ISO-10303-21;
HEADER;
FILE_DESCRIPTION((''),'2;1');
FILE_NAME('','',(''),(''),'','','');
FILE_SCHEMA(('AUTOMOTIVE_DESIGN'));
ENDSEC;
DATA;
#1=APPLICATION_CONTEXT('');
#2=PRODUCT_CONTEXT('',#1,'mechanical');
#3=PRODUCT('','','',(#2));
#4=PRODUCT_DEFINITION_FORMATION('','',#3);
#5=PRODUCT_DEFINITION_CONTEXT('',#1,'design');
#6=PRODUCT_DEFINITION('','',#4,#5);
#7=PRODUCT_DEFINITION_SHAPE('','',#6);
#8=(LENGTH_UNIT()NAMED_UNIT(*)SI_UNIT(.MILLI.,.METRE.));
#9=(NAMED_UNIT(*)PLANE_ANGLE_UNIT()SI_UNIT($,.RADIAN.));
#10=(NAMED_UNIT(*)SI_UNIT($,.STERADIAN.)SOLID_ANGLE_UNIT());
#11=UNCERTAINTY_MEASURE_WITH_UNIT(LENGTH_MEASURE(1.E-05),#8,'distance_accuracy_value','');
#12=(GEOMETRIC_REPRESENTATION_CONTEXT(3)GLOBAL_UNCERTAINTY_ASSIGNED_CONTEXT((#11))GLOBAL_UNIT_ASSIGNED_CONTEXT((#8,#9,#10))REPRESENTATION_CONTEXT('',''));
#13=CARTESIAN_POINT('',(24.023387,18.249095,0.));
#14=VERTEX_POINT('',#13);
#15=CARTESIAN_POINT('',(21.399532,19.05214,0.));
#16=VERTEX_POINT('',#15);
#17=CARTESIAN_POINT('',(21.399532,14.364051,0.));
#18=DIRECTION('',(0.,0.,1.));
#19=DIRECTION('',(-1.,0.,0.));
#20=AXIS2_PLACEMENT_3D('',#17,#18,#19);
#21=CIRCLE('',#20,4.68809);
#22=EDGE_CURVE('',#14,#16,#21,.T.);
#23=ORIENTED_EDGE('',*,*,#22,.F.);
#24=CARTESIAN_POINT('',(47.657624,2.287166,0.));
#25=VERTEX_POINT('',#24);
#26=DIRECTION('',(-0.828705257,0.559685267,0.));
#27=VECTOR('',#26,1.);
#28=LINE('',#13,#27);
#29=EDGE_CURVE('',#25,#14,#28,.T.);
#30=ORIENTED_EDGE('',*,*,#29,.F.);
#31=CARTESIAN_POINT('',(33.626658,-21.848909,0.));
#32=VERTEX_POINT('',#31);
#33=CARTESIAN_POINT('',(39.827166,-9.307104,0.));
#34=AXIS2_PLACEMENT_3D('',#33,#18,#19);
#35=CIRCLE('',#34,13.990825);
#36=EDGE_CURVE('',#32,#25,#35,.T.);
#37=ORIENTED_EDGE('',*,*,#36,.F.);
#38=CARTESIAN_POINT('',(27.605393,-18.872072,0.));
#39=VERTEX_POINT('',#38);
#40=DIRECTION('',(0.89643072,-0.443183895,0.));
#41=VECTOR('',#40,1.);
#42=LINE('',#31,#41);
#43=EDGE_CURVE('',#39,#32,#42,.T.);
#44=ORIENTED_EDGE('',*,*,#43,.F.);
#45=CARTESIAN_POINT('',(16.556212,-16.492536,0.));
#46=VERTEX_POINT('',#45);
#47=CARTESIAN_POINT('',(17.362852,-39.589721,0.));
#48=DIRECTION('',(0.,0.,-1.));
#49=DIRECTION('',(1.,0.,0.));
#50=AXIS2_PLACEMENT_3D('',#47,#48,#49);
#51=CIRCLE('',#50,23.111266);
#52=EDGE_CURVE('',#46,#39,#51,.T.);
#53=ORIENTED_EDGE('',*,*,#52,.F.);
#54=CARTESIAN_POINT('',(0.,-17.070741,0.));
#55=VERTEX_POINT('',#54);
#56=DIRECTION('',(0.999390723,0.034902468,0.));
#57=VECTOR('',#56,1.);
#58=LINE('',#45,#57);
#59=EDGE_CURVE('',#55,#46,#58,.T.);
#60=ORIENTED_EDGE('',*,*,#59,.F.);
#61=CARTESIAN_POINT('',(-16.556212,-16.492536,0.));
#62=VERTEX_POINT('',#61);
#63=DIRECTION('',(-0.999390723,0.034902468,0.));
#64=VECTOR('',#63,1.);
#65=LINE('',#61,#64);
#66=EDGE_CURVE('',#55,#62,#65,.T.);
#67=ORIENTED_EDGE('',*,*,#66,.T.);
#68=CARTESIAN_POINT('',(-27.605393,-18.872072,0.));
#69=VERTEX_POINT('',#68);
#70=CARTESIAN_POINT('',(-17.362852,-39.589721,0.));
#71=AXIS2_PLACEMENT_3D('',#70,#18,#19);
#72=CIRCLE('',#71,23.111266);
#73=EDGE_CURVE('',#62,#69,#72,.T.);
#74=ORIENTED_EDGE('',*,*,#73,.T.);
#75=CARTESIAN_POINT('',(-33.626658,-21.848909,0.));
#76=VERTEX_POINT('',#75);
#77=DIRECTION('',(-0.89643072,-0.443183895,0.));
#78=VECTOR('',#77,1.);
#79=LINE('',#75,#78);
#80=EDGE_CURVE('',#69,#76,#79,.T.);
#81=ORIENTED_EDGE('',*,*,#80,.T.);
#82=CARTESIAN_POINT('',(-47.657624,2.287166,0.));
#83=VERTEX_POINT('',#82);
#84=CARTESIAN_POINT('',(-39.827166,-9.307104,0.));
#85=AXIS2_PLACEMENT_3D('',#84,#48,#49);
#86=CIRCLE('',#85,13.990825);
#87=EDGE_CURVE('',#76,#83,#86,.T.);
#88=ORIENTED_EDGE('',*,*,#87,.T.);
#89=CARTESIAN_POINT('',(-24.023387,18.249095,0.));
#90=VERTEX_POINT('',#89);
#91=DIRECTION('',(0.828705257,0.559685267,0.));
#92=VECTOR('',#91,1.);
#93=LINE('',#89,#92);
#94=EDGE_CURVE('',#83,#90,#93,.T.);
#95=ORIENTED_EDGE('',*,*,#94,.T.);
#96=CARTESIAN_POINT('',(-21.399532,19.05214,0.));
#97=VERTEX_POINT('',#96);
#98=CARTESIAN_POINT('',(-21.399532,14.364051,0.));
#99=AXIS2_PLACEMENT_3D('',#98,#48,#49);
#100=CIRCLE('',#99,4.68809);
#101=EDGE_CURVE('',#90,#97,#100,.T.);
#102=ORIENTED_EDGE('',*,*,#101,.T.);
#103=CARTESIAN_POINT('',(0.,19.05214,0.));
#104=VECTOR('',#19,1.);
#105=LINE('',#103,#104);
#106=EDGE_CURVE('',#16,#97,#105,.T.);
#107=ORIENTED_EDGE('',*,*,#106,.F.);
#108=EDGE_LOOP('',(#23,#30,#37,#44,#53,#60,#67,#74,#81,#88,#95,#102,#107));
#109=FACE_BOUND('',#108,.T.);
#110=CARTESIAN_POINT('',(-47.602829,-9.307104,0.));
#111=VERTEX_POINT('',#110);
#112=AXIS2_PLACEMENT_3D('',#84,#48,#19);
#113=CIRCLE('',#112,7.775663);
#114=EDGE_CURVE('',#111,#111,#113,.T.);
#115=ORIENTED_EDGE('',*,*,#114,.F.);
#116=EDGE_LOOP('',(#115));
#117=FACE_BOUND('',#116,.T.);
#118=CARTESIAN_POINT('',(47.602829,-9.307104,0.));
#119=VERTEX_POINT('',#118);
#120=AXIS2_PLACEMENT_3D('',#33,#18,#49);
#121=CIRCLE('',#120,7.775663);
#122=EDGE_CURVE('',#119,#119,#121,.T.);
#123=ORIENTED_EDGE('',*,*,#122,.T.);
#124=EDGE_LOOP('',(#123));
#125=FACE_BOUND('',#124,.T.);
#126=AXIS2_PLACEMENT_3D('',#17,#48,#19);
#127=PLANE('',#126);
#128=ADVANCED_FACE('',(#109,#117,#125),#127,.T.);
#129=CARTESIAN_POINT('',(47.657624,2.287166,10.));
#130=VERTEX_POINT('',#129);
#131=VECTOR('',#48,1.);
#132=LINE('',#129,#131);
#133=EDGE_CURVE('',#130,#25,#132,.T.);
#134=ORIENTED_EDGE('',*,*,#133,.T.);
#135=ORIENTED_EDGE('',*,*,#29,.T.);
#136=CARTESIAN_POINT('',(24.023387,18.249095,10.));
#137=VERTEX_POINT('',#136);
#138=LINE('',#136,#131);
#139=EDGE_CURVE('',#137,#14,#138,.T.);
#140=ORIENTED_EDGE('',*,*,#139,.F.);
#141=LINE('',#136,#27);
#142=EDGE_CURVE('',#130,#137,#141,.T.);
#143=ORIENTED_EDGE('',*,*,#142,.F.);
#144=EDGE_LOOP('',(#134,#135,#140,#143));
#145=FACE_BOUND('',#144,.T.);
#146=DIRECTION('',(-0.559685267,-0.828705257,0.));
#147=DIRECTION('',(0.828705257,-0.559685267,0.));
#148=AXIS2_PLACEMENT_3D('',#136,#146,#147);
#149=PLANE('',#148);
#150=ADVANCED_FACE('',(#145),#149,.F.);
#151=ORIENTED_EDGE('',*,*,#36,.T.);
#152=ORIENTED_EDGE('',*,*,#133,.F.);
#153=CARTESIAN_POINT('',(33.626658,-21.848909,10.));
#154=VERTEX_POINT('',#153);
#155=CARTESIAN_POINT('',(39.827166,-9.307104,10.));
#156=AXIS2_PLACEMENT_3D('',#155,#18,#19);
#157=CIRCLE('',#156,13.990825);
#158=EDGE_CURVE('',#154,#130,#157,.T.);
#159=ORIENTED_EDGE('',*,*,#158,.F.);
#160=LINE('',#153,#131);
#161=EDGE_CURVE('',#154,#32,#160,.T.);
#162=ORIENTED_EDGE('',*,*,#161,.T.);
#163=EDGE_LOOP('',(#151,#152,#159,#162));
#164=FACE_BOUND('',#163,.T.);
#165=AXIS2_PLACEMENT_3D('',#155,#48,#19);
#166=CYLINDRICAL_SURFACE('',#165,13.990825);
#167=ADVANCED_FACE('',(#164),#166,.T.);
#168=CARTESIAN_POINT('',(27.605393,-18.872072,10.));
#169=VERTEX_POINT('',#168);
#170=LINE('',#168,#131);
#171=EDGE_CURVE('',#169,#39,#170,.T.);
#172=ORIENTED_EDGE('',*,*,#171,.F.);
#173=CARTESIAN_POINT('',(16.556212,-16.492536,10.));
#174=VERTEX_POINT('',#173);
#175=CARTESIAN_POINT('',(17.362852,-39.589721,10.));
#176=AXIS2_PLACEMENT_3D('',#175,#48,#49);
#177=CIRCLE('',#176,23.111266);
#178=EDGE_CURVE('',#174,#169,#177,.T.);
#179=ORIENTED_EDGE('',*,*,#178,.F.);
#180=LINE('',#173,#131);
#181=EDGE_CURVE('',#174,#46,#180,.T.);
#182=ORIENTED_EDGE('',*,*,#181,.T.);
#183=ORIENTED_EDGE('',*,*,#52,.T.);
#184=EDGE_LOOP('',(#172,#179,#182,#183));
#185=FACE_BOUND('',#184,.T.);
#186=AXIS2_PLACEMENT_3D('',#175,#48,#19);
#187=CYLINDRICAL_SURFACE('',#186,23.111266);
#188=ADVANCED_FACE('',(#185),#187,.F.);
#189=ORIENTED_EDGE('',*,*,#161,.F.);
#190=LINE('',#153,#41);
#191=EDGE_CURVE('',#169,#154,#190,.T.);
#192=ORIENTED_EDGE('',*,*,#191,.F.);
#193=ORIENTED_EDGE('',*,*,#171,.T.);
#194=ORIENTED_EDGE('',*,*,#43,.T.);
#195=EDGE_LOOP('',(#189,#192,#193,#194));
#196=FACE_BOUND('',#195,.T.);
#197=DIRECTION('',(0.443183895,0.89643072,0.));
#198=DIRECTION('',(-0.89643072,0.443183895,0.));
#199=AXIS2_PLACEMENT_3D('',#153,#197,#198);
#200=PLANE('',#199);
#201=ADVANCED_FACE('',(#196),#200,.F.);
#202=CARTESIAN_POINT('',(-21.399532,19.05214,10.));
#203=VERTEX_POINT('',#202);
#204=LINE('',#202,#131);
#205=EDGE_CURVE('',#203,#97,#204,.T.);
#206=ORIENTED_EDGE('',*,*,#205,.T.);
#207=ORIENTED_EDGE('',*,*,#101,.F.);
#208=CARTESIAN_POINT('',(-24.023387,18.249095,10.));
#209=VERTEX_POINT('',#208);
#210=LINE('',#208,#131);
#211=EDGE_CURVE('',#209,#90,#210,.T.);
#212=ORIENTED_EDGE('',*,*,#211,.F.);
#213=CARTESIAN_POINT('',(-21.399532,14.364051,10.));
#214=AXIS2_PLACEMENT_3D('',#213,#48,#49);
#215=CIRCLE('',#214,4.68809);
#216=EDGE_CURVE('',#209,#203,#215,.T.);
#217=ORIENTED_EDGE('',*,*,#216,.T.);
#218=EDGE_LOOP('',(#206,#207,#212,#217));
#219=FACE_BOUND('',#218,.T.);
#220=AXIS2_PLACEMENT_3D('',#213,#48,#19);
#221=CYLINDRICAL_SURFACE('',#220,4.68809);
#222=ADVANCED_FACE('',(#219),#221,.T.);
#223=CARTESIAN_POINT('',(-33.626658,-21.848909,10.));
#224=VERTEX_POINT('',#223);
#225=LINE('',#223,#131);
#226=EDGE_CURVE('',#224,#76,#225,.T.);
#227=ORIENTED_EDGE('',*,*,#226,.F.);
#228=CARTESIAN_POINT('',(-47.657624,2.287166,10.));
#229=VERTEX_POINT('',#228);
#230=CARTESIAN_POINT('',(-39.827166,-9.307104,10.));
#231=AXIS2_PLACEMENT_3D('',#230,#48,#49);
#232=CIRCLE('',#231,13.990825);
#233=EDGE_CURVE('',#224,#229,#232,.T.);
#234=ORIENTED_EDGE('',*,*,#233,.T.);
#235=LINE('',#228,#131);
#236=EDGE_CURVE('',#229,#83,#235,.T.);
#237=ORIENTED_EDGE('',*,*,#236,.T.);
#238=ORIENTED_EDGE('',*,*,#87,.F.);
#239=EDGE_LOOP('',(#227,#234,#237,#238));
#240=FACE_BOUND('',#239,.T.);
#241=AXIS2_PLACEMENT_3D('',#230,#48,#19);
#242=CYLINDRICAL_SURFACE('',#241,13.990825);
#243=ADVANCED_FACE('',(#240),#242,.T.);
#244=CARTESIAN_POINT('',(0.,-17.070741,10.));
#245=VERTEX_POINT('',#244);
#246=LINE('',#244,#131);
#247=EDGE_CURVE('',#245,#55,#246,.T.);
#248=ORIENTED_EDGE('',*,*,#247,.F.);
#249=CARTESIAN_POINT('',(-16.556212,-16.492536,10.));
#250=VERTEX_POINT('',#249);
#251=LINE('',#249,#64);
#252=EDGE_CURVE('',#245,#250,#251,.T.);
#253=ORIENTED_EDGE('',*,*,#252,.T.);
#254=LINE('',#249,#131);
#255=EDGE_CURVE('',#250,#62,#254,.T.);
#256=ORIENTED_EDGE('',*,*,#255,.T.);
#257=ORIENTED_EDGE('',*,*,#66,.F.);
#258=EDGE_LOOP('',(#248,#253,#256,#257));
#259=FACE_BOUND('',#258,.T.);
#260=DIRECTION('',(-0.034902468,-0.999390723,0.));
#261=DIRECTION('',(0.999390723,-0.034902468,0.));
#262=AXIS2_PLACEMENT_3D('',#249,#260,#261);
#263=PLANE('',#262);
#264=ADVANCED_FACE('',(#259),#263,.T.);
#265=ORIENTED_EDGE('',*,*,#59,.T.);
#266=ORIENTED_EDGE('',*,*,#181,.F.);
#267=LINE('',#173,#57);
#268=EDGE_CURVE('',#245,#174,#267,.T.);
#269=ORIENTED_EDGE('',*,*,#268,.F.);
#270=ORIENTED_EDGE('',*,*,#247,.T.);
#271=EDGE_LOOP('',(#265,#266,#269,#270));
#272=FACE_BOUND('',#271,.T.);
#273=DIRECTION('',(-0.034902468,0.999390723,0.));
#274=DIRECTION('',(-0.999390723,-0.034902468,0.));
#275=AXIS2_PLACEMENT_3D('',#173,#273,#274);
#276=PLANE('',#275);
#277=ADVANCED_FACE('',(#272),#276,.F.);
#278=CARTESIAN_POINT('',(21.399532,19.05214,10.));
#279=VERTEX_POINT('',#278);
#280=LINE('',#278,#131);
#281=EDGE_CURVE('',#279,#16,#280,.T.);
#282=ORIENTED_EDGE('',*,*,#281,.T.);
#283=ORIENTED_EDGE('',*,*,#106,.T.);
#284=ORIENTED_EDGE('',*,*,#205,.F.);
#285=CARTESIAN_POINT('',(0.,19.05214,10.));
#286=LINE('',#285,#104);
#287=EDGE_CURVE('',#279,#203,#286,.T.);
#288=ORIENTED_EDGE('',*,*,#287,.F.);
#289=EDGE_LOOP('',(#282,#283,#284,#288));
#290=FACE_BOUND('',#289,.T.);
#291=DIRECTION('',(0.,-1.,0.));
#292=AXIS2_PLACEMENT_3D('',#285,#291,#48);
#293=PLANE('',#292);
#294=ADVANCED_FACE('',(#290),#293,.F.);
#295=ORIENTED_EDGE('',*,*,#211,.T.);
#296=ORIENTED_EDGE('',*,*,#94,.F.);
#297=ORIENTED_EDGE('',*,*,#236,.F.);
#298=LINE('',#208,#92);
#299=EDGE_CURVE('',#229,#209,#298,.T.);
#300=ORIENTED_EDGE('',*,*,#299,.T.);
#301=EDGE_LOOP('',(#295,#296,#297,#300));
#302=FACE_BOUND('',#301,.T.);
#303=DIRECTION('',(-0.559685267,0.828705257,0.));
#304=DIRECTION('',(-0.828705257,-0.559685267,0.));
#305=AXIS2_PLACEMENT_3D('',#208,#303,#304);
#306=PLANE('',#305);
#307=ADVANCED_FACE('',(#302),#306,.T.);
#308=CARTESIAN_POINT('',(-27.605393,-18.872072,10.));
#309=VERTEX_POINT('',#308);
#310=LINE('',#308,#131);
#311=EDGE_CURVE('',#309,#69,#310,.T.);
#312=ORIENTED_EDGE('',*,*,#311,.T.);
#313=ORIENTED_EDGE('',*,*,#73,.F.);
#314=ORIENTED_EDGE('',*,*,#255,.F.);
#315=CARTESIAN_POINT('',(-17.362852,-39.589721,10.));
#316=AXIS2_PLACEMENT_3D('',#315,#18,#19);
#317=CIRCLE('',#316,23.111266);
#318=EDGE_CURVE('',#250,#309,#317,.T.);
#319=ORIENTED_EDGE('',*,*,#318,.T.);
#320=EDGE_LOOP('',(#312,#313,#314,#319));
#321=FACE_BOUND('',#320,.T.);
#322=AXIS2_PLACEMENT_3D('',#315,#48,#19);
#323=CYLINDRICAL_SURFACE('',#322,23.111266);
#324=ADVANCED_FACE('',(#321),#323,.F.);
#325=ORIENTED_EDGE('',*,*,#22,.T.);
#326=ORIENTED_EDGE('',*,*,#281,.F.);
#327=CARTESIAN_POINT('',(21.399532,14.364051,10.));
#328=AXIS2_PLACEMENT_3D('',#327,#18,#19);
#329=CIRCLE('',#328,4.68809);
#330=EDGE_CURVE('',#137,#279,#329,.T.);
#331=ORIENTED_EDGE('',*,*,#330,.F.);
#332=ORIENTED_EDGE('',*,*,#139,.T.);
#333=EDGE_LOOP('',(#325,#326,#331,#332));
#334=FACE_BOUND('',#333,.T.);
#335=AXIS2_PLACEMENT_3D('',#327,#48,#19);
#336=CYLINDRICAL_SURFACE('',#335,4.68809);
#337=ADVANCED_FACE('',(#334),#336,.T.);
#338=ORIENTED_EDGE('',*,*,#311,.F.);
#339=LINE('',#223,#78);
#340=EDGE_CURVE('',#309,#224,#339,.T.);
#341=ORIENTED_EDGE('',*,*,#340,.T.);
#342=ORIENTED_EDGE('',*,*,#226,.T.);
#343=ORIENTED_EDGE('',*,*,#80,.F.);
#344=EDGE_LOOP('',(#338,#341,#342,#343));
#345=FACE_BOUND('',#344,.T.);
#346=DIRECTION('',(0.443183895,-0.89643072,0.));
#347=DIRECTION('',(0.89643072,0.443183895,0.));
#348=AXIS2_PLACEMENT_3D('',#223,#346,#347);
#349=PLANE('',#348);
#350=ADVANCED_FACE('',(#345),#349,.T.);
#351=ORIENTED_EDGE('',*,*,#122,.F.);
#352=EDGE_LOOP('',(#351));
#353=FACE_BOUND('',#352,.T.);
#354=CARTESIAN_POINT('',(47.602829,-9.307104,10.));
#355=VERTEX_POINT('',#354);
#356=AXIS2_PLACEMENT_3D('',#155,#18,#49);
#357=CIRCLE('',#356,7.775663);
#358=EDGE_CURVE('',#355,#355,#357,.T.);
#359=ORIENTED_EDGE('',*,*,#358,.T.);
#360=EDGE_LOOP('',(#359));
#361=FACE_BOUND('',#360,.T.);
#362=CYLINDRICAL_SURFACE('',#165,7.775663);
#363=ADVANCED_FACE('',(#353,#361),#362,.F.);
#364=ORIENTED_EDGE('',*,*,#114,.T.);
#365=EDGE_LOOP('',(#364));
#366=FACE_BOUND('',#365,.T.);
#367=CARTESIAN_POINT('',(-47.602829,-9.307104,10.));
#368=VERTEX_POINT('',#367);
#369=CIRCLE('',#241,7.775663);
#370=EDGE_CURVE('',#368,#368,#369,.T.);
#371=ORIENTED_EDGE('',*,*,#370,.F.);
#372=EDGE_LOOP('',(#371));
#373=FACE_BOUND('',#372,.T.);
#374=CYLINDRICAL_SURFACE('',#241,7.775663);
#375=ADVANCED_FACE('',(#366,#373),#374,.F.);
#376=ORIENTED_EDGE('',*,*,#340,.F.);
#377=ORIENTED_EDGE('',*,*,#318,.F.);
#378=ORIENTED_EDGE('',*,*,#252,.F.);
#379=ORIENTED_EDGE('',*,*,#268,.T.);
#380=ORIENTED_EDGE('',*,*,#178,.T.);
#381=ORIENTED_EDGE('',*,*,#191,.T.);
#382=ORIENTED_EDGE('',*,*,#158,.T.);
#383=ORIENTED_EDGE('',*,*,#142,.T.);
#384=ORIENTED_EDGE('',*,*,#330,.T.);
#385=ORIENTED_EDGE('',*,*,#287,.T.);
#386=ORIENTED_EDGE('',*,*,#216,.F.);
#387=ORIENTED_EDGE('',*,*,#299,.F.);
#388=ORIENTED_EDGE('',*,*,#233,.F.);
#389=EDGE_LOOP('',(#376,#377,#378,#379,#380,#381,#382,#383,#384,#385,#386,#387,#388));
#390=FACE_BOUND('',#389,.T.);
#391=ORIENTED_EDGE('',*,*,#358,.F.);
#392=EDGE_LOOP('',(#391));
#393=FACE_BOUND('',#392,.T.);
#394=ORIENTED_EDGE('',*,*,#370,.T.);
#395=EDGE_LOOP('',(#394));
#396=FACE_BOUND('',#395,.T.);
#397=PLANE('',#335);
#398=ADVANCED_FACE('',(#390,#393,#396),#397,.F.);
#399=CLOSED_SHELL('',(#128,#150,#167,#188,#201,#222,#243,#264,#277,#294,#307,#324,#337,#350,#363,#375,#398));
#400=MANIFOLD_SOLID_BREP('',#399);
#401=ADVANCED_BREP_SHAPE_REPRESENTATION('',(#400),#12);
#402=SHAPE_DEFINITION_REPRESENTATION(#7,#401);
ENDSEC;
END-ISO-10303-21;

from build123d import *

# Parameters (mm, degrees)
SKETCH1_R           = 7.775663032
BOSS_EXTRUDE1_DEPTH = 10


with BuildPart() as part:
    # Sketch1 → Boss-Extrude1 (new body)
    with BuildSketch(Plane.XY):
        with BuildLine():
            Line((0, 19.052140157), (21.399532491, 19.052140157))
            ThreePointArc((21.399532491, 19.052140157), (22.771528747, 18.846885641), (24.023387185, 18.249095047))
            Line((24.023387185, 18.249095047), (47.657624277, 2.287166265))
            ThreePointArc((47.657624277, 2.287166265), (51.92269033, -16.338565843), (33.626657752, -21.848908566))
            Line((33.626657752, -21.848908566), (27.605393149, -18.872072273))
            ThreePointArc((27.605393149, -18.872072273), (22.228507675, -16.996447441), (16.556211898, -16.492536209))
            Line((16.556211898, -16.492536209), (0, -17.070741143))
            Line((0, -17.070741143), (0, 0))
            Line((0, 0), (0, 19.052140157))
        make_face()
        with Locations((39.827165888, -9.307103614)):
            Circle(SKETCH1_R, mode=Mode.SUBTRACT)
    boss_extrude1 = extrude(amount=BOSS_EXTRUDE1_DEPTH)

    # Mirror1: Boss-Extrude1 across plane
    add(boss_extrude1.mirror(Plane(origin=(0, 0, 10), x_dir=(0, 0, 1), z_dir=(1, 0, 0))))


solid = part.part
